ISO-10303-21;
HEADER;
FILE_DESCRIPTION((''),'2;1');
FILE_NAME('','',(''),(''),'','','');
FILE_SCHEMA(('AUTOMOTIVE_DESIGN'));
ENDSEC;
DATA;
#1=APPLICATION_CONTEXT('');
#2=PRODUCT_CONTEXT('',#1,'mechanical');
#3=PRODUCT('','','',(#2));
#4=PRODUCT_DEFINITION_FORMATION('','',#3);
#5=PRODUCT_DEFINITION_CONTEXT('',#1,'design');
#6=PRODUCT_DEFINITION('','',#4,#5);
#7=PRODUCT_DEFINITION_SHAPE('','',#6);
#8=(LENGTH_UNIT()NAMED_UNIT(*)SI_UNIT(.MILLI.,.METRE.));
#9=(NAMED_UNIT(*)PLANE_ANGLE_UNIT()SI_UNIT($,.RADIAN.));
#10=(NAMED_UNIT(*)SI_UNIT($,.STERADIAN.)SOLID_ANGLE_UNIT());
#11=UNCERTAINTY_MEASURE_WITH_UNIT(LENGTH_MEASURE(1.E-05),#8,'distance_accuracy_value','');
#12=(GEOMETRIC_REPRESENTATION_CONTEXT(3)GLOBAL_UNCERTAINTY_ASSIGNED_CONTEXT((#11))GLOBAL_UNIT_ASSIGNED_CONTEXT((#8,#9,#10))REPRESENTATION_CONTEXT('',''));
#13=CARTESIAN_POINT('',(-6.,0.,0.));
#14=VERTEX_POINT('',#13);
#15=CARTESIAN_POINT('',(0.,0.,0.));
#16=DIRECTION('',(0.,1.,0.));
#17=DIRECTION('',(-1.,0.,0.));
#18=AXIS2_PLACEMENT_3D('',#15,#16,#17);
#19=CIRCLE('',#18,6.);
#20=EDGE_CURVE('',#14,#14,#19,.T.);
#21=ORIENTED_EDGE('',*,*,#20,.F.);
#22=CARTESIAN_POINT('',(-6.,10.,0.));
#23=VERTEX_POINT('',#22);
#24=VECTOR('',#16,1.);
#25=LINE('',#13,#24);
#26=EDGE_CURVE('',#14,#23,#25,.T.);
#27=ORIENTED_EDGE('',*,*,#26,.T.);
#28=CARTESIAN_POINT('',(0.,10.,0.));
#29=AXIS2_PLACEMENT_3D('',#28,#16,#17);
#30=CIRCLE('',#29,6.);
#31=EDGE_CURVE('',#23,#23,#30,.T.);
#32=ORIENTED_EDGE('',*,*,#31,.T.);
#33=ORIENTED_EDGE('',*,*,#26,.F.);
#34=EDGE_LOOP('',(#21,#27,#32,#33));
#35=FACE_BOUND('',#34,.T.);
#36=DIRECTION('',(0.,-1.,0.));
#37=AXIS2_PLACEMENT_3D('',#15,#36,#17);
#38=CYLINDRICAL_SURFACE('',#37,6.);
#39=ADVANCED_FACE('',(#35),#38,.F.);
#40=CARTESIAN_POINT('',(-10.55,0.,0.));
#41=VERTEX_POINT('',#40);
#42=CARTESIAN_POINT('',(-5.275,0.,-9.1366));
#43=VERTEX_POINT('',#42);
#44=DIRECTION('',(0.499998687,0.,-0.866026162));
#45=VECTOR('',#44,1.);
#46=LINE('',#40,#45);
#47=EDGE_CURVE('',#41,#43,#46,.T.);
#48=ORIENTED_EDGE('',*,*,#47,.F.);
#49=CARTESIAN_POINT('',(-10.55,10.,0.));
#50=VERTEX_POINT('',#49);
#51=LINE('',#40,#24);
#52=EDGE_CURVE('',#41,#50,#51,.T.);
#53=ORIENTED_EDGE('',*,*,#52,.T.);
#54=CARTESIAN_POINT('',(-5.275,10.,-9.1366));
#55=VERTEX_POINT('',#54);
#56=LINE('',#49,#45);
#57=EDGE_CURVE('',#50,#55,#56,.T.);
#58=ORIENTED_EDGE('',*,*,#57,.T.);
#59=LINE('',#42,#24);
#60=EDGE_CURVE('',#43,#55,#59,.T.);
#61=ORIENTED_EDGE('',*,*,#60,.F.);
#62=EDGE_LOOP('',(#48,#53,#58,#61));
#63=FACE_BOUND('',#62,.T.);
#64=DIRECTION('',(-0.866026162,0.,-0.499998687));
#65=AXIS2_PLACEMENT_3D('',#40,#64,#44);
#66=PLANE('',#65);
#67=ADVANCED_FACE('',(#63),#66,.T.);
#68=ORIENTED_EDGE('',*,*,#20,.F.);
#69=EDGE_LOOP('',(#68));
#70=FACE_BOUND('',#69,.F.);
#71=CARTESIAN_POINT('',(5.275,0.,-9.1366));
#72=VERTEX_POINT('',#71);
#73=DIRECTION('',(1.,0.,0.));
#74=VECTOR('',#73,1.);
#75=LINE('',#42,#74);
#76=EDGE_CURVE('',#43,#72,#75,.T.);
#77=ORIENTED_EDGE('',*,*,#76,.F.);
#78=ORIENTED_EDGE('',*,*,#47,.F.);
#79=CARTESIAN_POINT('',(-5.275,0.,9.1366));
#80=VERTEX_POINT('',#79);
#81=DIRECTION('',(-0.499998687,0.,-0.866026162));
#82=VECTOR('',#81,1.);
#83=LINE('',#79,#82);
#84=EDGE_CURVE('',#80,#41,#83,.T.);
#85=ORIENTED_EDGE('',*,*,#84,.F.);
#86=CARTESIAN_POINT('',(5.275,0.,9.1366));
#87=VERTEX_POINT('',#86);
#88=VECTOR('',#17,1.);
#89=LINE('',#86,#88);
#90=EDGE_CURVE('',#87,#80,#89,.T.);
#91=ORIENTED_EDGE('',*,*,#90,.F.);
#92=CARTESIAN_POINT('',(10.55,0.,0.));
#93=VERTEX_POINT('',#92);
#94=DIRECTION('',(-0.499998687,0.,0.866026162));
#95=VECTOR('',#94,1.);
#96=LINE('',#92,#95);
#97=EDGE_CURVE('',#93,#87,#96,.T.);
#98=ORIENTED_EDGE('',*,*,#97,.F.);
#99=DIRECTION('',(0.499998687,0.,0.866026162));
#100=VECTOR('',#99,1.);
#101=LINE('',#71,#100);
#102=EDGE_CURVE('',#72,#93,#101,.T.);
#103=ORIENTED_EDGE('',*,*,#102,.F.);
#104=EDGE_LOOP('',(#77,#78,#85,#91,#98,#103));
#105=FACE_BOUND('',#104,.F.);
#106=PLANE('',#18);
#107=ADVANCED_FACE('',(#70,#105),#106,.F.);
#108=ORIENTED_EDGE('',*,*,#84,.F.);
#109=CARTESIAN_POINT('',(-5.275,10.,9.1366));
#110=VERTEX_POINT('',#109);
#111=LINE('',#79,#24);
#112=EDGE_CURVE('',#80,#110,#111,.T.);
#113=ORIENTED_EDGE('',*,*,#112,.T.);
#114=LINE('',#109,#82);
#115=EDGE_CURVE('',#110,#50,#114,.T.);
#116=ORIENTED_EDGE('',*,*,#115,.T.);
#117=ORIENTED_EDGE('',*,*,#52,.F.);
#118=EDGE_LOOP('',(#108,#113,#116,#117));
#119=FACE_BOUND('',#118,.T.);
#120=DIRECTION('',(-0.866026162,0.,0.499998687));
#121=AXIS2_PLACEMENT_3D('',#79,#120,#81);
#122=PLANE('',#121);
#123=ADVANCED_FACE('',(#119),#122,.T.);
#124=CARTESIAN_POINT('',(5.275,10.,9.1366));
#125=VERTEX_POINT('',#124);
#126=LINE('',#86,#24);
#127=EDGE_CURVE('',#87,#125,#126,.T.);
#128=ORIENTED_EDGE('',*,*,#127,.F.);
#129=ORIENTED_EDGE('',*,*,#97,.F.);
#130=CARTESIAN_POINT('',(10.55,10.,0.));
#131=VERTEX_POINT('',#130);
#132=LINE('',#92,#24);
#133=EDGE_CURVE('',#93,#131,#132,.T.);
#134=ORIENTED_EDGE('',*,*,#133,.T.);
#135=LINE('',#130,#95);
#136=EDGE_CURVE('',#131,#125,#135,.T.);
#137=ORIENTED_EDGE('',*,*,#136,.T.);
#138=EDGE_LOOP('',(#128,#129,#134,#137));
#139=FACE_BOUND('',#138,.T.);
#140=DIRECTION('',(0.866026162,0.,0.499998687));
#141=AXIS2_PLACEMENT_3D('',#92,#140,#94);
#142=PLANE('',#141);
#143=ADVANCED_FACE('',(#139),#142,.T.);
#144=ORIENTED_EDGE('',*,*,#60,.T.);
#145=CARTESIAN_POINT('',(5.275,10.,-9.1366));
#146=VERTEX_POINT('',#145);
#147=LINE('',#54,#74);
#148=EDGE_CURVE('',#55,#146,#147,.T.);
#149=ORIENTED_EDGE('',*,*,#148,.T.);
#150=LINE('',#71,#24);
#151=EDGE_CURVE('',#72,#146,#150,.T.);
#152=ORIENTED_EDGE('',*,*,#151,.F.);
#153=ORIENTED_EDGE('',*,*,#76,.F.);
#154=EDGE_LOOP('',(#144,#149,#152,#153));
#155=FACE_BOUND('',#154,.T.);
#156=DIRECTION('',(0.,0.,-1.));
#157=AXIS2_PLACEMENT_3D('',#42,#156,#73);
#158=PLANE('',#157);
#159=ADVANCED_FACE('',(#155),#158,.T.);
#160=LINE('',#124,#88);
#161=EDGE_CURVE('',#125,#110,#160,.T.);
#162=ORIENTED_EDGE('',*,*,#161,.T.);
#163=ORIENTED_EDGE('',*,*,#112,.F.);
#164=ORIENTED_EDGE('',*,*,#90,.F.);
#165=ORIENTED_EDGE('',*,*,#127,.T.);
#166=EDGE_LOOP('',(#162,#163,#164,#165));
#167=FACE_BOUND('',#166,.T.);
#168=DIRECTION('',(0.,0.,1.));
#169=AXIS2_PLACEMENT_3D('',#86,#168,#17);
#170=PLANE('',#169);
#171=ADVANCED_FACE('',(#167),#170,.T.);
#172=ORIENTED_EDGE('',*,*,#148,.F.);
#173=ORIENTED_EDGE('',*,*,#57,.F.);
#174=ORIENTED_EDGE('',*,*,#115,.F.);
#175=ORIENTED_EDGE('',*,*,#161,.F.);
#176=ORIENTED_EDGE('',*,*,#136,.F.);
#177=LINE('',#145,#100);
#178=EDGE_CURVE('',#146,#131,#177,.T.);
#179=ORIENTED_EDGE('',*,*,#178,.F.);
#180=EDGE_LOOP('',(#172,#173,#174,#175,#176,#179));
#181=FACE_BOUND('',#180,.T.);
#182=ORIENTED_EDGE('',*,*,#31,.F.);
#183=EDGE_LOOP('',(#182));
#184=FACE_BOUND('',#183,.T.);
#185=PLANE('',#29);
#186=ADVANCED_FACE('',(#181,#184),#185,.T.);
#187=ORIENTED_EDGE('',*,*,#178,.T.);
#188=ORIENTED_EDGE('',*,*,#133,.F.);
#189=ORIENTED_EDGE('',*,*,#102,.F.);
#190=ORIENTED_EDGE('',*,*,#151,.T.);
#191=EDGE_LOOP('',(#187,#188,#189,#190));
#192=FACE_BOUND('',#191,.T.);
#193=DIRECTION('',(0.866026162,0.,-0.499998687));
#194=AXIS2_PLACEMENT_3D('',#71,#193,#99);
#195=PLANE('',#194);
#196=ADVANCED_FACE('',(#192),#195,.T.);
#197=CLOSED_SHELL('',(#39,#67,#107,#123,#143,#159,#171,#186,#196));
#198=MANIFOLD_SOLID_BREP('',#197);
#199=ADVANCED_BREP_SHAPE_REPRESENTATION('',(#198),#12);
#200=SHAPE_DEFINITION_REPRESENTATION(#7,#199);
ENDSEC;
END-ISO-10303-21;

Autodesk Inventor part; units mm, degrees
ref_plane "YZ Plane" through (0, 0, 0) normal (1, 0, 0) x (0, 1, 0)
ref_plane "XZ Plane" through (0, 0, 0) normal (0, 1, 0) x (-1, 0, 0)
ref_plane "XY Plane" through (0, 0, 0) normal (0, 0, 1) x (1, 0, 0)
sketch "Эскиз1" plane through (0, 0, 0) normal (0, 1, 0) x (-1, 0, 0)
  line L0 (10.55, 0) -> (5.275, -9.1366)
  line L1 (5.275, -9.1366) -> (-5.275, -9.1366)
  line L2 (-5.275, -9.1366) -> (-10.55, 0)
  line L3 (-10.55, 0) -> (-5.275, 9.1366)
  line L4 (-5.275, 9.1366) -> (5.275, 9.1366)
  line L5 (5.275, 9.1366) -> (10.55, 0)
  circle A0 centre (0, 0) radius 6
  dimension "d0" = 21.1
  dimension "d1" = 12
extrude "Выдавливание1" add sketch "Эскиз1" along normal blind 10
thread "Резьба1" size "M12x1.75" class "6H" standard "ANSI Metric M Profile" full length
properties part number "KB33-046-002-003 - Фиксирующая гайка"
